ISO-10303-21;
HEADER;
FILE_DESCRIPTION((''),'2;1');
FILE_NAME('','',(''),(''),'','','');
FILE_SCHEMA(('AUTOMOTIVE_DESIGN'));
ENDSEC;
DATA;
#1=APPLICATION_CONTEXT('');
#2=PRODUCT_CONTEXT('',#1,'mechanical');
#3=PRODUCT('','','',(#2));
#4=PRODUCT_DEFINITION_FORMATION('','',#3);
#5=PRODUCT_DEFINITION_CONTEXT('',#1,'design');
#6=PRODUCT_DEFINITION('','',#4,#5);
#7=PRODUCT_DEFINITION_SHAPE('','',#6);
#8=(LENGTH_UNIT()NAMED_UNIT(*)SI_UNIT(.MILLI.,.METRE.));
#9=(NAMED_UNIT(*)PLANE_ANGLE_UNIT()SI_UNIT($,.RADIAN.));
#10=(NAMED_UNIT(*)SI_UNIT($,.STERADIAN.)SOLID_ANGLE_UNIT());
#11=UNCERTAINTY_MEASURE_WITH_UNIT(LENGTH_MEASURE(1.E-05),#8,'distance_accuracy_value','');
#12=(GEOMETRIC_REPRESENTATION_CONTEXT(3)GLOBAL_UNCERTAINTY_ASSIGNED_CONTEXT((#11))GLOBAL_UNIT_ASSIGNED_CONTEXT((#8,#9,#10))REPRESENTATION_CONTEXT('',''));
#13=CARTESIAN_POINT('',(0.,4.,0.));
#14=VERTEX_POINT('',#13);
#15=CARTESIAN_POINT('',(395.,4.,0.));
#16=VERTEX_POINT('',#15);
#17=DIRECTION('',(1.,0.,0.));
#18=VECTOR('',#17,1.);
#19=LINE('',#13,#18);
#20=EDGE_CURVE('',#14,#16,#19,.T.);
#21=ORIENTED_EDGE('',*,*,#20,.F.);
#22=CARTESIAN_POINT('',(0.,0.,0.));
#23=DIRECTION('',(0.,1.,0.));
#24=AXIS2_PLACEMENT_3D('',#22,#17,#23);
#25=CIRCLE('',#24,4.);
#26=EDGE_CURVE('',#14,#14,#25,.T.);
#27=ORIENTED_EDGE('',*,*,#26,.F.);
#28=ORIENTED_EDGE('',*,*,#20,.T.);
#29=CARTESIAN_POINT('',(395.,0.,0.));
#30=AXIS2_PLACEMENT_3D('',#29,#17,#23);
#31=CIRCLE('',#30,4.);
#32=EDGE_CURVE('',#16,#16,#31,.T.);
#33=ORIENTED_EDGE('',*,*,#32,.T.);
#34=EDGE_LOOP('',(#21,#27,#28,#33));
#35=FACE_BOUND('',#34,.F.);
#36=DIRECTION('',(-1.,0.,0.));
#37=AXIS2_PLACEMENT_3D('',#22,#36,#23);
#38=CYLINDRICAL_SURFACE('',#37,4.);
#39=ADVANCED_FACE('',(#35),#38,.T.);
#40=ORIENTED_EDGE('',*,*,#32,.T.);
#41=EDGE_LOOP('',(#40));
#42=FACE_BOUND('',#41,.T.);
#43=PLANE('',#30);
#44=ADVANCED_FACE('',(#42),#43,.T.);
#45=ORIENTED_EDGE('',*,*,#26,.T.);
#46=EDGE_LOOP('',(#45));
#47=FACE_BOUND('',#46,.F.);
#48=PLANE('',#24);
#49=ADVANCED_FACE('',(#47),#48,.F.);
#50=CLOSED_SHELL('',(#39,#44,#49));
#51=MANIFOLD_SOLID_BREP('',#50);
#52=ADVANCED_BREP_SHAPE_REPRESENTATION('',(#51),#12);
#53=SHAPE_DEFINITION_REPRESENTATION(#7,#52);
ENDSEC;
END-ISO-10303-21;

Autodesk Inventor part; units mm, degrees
ref_plane "YZ Plane" through (0, 0, 0) normal (1, 0, 0) x (0, 1, 0)
ref_plane "XZ Plane" through (0, 0, 0) normal (0, 1, 0) x (-1, 0, 0)
ref_plane "XY Plane" through (0, 0, 0) normal (0, 0, 1) x (1, 0, 0)
sketch "Sketch1" plane through (0, 0, 0) normal (1, 0, 0) x (0, 1, 0)
  circle A0 centre (0, 0) radius 4
  dimension "d0" = 8
extrude "Extrusion1" add sketch "Sketch1" along normal blind 395
properties part number "XRod"
